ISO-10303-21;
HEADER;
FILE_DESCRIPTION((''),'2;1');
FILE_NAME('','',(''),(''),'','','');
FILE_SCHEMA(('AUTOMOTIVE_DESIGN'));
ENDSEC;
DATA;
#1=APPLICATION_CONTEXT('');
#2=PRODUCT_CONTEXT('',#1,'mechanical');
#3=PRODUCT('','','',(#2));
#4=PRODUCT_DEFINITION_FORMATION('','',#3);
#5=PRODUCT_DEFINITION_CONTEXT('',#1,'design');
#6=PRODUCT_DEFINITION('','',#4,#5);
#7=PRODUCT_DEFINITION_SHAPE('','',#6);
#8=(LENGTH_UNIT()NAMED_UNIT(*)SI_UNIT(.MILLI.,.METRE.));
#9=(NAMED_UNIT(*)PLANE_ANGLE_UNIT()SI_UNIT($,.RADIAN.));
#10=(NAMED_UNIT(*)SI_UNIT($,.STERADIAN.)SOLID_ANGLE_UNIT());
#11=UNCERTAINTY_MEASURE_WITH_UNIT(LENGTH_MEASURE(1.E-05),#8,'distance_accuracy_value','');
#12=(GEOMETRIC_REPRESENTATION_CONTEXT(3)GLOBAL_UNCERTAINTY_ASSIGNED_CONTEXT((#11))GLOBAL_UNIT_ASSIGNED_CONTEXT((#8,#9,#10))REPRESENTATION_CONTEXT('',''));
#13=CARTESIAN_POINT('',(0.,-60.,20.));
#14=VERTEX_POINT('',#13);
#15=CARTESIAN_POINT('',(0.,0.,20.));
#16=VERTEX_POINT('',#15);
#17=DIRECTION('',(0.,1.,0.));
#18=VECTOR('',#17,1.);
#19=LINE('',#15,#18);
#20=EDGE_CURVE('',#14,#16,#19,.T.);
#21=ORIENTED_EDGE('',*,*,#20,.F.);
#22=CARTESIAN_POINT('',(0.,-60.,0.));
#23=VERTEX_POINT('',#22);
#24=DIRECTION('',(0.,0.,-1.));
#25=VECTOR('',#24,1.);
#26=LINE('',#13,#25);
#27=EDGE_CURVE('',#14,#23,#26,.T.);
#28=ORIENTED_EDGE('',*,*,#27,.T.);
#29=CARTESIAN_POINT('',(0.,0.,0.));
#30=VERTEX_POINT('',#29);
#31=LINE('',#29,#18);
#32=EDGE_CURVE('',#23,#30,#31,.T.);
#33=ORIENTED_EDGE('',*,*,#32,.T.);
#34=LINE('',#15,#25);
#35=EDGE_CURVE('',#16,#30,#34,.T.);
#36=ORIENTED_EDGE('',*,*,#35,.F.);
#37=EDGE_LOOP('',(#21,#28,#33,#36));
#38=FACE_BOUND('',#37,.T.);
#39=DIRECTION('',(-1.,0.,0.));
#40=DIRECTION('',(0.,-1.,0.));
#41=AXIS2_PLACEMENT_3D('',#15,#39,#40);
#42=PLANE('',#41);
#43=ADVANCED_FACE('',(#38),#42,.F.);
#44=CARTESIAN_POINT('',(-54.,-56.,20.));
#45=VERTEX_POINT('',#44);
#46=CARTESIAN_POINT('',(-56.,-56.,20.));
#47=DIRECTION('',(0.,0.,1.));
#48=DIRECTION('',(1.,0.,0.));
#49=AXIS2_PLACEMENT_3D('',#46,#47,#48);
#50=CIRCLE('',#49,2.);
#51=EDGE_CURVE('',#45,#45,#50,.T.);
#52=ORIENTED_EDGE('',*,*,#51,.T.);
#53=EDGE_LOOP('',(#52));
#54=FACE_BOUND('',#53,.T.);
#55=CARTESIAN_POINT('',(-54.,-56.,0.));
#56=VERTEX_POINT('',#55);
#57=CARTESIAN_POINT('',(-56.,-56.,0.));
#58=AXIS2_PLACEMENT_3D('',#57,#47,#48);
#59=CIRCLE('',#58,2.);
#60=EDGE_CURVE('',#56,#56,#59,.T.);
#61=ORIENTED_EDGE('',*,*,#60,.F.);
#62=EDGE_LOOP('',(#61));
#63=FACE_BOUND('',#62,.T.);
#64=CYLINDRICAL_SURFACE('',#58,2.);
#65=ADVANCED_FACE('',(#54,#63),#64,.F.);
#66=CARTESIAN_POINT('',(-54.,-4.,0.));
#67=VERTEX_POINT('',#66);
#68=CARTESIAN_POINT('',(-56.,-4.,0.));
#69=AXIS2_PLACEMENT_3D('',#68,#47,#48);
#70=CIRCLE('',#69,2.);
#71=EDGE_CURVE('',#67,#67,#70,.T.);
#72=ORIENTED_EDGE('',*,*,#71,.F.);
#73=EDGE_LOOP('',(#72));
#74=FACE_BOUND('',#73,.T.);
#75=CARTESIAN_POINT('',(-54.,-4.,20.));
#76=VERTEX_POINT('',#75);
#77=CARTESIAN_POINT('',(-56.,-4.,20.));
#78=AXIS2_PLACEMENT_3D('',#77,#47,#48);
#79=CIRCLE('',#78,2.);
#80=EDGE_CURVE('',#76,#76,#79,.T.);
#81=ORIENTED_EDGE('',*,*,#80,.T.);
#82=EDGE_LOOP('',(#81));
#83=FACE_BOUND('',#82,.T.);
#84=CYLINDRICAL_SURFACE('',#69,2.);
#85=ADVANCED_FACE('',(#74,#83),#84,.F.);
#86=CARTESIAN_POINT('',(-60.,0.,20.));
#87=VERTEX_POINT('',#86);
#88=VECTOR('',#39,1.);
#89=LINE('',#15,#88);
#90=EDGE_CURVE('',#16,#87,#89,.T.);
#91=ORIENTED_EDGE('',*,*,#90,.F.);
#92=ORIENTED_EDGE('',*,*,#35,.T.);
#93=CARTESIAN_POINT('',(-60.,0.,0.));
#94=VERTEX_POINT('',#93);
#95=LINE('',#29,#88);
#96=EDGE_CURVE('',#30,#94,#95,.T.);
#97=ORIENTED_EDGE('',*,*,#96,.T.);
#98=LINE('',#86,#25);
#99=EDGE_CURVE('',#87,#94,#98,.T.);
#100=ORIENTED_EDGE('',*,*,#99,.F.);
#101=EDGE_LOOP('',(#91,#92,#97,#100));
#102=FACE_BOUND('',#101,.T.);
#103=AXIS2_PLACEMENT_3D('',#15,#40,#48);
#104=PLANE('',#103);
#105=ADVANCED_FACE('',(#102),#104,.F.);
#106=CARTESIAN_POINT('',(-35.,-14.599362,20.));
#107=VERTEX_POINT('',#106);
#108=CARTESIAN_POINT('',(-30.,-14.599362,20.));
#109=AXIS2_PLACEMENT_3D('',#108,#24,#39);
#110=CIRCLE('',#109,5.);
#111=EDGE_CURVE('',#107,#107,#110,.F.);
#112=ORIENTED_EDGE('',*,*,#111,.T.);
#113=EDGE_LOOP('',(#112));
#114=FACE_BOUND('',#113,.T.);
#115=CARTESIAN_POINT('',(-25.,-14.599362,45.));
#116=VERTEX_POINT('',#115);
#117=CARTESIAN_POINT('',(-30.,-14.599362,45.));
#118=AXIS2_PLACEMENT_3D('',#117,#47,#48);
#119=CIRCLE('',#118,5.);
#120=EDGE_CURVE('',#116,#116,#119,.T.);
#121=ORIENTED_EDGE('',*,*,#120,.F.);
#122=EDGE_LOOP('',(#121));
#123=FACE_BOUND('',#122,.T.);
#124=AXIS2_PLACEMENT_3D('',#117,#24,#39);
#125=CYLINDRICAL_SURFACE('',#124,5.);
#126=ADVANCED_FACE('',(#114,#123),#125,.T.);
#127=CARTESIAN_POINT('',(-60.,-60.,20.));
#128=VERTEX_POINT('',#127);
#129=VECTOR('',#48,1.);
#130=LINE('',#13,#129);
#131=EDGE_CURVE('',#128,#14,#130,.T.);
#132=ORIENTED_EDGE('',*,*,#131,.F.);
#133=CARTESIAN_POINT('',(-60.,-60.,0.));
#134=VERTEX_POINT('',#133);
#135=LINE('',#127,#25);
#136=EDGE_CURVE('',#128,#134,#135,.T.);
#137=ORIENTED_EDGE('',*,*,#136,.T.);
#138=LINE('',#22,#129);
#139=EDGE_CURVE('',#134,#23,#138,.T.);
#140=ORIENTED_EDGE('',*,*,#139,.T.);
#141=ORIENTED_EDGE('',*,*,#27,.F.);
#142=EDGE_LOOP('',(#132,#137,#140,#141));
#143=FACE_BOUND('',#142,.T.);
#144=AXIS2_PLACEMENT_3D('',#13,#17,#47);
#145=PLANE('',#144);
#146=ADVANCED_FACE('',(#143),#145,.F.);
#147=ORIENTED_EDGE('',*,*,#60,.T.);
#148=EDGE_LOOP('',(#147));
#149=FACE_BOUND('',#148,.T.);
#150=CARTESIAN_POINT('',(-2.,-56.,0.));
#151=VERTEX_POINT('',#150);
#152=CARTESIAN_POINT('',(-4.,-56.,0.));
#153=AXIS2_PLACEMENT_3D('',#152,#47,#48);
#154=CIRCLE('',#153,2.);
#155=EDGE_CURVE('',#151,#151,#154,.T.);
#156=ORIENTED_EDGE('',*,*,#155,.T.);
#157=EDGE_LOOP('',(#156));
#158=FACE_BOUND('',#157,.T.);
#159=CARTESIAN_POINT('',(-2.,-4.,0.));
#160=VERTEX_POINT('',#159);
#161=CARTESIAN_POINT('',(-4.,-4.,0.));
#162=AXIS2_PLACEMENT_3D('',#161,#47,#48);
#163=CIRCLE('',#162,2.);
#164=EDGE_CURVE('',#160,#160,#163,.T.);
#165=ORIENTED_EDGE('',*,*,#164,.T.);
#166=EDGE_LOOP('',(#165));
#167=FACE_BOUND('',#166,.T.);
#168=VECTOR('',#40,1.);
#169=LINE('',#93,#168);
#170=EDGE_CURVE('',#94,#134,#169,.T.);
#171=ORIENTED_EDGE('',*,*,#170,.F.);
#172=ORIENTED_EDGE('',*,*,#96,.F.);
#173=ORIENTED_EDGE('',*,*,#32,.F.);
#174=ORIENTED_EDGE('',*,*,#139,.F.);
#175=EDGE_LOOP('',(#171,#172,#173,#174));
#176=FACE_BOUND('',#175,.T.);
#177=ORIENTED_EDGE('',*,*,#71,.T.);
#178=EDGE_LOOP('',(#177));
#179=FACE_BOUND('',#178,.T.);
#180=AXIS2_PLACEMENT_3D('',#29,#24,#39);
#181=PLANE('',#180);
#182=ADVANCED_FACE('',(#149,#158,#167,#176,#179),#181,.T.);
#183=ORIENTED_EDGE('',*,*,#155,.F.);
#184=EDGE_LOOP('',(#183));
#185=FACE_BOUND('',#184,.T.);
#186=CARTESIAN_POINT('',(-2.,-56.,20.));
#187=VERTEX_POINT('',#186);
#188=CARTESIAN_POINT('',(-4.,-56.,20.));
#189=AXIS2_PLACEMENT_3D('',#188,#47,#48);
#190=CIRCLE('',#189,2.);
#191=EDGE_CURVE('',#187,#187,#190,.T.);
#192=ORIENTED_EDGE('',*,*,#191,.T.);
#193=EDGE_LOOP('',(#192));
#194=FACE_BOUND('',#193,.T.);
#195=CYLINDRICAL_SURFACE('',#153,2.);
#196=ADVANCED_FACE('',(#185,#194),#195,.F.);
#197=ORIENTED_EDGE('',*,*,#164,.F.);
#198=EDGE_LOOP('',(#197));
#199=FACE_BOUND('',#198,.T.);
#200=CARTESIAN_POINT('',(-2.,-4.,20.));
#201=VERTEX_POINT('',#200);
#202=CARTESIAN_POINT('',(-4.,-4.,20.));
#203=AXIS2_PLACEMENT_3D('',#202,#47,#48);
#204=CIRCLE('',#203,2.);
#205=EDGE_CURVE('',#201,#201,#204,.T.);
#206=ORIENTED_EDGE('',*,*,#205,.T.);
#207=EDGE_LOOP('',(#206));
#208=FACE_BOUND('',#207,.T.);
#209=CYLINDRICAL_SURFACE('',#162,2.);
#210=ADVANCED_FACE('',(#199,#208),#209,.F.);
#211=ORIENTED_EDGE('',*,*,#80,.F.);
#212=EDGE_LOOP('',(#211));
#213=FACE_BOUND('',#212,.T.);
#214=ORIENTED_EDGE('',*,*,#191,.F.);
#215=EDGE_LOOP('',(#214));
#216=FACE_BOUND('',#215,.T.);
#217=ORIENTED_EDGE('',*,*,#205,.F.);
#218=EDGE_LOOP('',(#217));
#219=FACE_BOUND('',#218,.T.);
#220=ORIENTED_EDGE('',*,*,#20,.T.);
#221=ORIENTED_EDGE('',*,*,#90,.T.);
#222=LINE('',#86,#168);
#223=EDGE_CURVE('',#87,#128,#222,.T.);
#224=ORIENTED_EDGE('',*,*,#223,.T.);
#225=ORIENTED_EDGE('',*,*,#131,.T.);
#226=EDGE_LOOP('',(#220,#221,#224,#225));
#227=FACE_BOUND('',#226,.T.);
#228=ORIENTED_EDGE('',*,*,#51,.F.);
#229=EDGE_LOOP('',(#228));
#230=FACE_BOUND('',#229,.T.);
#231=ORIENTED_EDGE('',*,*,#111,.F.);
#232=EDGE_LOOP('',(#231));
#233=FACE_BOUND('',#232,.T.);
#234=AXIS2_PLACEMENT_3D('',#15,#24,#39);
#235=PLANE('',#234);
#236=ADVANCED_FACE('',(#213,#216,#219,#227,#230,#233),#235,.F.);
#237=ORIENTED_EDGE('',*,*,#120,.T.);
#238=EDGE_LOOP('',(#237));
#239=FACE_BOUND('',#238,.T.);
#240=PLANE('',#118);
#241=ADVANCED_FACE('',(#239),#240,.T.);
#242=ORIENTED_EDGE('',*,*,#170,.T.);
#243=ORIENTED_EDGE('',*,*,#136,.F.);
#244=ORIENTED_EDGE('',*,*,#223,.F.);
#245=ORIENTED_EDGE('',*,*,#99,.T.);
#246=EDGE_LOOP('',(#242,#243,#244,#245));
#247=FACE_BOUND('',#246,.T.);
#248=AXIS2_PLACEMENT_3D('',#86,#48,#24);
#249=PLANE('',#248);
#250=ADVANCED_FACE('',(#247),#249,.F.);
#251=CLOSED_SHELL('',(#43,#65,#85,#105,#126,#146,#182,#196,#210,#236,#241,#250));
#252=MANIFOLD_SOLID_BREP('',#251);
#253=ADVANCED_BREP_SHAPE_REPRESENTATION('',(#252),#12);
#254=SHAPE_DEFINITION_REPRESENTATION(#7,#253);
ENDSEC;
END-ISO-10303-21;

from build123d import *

# Parameters (mm, degrees)
SKETCH1_W           = 60
SKETCH1_H           = 60
BOSS_EXTRUDE1_DEPTH = 20
SKETCH2_R           = 5
BOSS_EXTRUDE2_DEPTH = 25
SKETCH2_3_R         = 2
CUT_EXTRUDE1_DEPTH  = 89.459030065


with BuildPart() as part:
    # Sketch1 → Boss-Extrude1 (new body)
    with BuildSketch(Plane.XY):
        with Locations((-30, -30)):
            Rectangle(SKETCH1_W, SKETCH1_H)
    extrude(amount=BOSS_EXTRUDE1_DEPTH)

    # Sketch2 → Boss-Extrude2 (add)
    with BuildSketch(Plane.XY.offset(20)):
        with Locations((-30, -14.599362292)):
            Circle(SKETCH2_R)
    extrude(amount=BOSS_EXTRUDE2_DEPTH)

    # Sketch2<3> → Cut-Extrude1 (cut, through all)
    with BuildSketch(Plane.XY.offset(20)):
        with Locations((-56, -4)):
            Circle(SKETCH2_3_R)
        with Locations((-4, -4)):
            Circle(SKETCH2_3_R)
        with Locations((-4, -56)):
            Circle(SKETCH2_3_R)
        with Locations((-56, -56)):
            Circle(SKETCH2_3_R)
    extrude(amount=-CUT_EXTRUDE1_DEPTH, mode=Mode.SUBTRACT)


solid = part.part
